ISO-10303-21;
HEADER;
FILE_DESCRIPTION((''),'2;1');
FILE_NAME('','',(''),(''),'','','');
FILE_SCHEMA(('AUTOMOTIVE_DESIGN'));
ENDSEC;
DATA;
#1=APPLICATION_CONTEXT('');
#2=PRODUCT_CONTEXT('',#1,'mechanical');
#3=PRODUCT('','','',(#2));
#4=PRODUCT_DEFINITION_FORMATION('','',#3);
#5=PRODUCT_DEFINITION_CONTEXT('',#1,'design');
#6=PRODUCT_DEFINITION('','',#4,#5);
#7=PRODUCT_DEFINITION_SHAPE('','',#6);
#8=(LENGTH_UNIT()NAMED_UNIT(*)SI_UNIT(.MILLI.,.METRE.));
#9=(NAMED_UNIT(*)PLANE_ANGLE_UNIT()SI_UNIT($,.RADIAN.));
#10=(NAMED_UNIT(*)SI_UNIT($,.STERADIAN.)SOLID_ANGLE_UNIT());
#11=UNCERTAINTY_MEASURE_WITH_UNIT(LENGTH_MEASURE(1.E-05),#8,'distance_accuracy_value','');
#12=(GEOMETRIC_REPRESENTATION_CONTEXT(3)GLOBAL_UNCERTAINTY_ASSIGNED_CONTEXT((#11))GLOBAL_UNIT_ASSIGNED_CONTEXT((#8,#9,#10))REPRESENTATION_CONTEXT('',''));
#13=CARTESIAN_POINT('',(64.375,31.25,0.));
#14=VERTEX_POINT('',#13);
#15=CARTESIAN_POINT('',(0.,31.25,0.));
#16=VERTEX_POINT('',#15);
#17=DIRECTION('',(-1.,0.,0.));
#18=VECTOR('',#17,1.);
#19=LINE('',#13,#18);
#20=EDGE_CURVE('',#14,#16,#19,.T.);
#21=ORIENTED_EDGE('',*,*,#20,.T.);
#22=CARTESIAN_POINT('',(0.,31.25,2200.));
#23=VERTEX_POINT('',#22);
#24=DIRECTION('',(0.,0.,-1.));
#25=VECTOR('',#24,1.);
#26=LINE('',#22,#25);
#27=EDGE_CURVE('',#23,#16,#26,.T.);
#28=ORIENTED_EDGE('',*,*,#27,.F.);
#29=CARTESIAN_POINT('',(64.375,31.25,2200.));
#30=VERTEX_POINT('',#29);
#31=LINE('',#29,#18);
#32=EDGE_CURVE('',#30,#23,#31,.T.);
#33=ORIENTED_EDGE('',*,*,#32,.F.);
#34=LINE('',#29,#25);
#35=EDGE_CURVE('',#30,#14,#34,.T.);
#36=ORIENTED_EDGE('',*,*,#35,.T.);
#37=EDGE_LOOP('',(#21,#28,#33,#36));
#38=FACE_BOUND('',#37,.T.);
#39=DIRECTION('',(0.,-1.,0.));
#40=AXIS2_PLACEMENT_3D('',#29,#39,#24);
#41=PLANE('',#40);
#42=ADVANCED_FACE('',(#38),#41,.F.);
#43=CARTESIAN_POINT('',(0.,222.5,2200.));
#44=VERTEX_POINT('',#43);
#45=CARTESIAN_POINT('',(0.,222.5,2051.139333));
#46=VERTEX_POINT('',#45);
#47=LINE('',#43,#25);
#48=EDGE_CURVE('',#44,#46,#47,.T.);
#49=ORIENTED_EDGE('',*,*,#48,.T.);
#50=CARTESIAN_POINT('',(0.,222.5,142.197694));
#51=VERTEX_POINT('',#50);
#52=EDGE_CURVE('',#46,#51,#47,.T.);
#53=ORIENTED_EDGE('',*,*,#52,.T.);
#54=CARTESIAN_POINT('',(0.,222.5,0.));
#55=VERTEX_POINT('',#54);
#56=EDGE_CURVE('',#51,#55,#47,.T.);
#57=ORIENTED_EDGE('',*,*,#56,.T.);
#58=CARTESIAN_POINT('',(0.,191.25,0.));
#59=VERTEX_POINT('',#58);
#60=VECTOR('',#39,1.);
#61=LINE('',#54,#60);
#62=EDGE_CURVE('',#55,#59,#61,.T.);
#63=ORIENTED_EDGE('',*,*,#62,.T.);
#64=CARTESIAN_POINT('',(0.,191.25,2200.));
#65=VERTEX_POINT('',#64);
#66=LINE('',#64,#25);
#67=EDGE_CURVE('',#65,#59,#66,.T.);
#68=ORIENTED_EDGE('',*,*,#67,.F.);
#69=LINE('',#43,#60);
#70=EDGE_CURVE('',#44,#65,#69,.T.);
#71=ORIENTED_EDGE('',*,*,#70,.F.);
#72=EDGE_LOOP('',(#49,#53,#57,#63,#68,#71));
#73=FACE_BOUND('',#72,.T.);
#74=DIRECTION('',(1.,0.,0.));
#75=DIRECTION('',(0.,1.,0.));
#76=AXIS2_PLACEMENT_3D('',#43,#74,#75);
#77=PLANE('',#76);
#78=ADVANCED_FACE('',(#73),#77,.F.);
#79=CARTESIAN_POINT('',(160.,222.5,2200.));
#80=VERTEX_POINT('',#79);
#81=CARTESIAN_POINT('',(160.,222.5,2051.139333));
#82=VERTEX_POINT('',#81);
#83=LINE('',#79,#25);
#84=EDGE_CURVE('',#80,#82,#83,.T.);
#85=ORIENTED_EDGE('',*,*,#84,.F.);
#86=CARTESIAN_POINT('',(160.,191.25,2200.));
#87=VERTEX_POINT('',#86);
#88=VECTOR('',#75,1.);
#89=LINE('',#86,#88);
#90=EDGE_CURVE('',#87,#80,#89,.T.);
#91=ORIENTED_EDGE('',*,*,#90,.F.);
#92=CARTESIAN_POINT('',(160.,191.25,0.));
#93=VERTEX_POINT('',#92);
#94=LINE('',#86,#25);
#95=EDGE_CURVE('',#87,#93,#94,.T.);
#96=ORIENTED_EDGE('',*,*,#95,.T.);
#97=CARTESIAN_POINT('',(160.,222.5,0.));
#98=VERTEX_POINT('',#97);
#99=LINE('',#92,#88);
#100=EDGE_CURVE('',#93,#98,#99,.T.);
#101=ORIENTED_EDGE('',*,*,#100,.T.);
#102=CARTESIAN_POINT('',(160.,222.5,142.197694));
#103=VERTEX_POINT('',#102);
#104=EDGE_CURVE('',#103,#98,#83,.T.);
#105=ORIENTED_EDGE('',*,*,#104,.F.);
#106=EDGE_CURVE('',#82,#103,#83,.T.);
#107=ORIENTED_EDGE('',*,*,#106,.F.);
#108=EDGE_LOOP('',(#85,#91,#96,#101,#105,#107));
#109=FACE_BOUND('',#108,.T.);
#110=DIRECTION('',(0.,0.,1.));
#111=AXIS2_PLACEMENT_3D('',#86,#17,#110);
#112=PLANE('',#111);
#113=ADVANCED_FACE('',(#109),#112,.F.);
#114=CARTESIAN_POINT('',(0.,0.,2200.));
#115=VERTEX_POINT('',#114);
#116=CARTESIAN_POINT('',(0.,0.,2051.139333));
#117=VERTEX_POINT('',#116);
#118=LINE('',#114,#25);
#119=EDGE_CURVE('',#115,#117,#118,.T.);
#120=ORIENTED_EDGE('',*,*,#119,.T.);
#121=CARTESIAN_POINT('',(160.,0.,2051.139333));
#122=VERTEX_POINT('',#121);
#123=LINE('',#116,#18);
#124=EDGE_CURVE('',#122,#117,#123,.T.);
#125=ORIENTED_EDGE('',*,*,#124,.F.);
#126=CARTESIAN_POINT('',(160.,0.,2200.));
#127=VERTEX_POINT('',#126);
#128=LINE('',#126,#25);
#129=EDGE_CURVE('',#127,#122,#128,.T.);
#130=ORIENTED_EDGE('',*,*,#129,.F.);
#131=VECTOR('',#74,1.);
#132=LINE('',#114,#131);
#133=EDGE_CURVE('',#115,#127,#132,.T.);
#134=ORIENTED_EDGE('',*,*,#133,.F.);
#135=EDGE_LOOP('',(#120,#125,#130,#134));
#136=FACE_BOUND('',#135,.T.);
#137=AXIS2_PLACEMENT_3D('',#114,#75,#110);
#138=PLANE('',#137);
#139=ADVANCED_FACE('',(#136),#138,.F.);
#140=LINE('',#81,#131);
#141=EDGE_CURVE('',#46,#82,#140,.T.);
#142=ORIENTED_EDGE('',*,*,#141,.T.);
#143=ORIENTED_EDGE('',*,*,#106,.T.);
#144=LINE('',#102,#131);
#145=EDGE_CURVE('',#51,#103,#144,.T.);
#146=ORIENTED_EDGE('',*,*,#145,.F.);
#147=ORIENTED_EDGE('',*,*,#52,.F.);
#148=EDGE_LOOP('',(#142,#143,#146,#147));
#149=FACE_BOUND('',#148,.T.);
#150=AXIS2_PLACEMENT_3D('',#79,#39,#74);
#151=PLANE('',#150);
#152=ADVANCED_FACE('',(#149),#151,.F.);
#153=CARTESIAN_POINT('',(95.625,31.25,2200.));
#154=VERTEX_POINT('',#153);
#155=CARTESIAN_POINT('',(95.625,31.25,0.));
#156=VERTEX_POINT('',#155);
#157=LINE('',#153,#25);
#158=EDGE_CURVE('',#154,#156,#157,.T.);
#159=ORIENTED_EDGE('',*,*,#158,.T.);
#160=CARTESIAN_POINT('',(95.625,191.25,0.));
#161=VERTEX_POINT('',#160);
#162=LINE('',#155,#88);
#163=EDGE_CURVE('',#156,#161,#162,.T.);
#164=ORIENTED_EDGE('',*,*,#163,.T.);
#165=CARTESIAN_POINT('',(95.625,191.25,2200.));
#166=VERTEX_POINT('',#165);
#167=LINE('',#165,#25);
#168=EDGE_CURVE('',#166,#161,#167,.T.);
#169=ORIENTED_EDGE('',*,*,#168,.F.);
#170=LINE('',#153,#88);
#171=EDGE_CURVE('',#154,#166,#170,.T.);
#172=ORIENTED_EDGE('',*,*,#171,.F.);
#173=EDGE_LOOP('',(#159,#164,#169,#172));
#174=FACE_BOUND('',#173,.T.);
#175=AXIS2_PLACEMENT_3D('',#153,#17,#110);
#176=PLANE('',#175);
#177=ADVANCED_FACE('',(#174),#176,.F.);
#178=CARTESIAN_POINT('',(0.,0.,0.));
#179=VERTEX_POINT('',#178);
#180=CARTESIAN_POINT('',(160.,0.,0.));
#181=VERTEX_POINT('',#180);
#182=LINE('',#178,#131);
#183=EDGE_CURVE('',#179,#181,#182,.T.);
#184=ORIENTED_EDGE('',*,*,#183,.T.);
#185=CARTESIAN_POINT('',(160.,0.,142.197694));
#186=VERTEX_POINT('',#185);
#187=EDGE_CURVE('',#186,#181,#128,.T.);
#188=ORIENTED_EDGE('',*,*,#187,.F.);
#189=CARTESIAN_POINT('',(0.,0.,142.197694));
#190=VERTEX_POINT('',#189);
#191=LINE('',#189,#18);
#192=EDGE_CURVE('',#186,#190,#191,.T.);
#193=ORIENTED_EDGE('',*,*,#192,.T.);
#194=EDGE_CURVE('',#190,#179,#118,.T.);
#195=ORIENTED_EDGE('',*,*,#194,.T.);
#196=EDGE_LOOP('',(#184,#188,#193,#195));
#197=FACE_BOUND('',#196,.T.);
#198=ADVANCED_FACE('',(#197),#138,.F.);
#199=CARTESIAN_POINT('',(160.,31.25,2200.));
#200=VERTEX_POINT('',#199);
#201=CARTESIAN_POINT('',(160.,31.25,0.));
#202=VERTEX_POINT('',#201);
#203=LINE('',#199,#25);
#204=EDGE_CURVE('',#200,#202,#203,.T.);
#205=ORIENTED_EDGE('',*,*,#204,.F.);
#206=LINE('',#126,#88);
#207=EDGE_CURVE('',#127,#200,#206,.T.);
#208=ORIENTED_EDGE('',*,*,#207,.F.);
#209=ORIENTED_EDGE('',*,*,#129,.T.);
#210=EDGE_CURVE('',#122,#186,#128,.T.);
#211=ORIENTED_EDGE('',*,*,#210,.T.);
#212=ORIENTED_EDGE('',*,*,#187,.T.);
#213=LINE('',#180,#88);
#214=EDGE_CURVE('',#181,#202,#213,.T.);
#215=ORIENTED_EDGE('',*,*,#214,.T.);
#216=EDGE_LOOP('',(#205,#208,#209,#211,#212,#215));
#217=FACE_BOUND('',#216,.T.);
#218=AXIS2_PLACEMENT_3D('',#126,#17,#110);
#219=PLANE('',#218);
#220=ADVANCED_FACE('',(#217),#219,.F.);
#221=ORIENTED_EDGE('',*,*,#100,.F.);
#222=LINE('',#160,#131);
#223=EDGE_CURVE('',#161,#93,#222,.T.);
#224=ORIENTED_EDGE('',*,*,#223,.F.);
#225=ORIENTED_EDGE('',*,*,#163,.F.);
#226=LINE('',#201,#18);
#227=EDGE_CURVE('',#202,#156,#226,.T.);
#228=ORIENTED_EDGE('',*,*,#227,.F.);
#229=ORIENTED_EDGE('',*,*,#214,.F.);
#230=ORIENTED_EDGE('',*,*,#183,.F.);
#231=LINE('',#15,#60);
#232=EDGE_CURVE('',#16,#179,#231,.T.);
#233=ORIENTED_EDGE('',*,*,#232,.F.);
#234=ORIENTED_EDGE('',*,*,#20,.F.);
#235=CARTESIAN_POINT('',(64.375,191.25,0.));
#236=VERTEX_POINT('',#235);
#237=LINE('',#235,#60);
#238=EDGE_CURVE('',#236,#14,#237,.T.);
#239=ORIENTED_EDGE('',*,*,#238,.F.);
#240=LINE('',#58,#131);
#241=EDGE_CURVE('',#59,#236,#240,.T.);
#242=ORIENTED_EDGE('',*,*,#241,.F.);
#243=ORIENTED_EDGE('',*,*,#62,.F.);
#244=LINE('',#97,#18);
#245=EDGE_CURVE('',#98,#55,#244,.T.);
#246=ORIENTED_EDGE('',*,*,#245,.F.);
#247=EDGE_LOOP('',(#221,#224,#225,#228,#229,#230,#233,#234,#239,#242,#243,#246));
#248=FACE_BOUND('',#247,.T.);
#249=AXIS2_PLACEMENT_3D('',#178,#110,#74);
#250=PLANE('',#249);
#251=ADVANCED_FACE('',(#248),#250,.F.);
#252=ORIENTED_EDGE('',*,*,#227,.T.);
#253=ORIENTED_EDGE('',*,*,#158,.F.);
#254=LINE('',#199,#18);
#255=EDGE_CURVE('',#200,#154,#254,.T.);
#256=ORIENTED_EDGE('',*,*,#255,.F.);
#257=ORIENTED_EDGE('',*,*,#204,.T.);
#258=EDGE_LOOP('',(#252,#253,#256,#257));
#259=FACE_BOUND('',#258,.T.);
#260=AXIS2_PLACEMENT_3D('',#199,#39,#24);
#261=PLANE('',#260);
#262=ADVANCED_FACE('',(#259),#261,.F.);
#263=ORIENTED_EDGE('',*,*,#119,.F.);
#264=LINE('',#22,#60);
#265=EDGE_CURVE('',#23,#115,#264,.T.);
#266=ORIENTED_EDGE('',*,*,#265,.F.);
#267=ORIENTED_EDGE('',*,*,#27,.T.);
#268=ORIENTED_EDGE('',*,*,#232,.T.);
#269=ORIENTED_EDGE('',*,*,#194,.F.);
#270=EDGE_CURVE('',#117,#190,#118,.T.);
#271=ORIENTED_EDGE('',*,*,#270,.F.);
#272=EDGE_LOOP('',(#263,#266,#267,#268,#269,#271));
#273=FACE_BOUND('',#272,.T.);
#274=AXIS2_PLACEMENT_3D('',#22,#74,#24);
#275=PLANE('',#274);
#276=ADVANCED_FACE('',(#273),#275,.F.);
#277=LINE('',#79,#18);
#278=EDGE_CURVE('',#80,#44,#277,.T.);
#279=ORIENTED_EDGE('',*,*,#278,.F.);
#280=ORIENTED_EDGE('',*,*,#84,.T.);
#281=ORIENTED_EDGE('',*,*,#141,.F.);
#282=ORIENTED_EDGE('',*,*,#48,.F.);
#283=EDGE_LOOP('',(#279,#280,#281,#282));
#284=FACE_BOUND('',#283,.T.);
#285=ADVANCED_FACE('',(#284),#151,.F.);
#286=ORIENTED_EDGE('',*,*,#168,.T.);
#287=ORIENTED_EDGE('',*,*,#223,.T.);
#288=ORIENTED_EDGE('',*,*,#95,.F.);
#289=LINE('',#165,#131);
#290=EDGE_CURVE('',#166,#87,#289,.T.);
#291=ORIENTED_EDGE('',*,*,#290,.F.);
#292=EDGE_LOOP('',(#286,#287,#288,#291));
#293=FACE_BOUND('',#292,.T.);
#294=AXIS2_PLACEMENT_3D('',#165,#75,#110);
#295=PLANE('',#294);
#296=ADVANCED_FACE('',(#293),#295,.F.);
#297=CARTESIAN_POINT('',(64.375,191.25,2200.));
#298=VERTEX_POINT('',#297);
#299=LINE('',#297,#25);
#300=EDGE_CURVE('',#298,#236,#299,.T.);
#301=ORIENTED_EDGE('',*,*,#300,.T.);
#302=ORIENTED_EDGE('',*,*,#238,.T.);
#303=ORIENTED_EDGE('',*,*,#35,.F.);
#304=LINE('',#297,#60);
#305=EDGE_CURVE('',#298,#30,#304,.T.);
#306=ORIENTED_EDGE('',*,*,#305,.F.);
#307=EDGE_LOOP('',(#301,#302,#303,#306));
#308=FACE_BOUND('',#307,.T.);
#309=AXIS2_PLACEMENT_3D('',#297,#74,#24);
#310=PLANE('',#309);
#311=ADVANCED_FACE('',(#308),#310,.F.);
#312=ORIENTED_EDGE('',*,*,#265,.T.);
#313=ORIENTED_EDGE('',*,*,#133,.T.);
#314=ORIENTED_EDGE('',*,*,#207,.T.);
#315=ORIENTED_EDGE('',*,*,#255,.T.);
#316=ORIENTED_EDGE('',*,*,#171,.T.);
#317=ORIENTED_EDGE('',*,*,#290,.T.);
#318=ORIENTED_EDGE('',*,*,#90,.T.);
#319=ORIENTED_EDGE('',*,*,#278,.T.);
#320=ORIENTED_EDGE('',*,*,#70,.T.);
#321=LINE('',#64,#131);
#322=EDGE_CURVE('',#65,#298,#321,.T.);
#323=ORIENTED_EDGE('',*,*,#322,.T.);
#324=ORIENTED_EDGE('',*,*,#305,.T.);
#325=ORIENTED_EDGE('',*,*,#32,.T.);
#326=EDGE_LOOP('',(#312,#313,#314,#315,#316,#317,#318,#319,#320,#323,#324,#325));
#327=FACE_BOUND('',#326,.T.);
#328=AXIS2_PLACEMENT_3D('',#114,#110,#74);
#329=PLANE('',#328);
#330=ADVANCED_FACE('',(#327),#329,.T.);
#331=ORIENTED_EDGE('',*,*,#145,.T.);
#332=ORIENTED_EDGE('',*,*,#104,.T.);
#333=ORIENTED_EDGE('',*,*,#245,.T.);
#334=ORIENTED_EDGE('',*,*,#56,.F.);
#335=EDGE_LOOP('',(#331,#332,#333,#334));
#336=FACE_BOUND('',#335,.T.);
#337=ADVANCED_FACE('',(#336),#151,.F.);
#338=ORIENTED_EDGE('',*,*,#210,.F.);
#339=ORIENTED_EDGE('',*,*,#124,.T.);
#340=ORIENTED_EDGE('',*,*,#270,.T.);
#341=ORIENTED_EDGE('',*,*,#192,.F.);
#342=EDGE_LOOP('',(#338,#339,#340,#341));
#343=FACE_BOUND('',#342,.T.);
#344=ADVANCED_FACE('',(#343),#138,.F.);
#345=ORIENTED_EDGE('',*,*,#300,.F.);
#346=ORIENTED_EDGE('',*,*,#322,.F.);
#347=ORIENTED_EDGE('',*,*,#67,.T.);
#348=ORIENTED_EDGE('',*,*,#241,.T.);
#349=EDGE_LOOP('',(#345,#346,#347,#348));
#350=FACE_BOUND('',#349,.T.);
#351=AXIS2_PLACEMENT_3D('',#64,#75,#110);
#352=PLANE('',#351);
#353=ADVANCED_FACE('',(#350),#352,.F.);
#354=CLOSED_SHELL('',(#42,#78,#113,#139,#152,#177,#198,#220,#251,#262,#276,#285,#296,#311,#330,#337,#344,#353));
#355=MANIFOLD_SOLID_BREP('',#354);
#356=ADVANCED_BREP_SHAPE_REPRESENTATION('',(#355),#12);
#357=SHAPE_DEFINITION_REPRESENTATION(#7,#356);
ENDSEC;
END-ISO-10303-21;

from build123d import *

# Parameters (mm, degrees)
DODANIE_WYCI_GNI_CIE1_DEPTH = 2200


with BuildPart() as part:
    # Szkic1 → Dodanie-wyciągnięcie1 (new body)
    with BuildSketch(Plane.XY):
        Polygon((0, 0), (160, 0), (160, 31.25), (95.625, 31.25), (95.625, 191.25), (160, 191.25), (160, 222.5), (0, 222.5), (0, 191.25), (64.375, 191.25), (64.375, 31.25), (0, 31.25), align=None)
    extrude(amount=DODANIE_WYCI_GNI_CIE1_DEPTH)


solid = part.part
